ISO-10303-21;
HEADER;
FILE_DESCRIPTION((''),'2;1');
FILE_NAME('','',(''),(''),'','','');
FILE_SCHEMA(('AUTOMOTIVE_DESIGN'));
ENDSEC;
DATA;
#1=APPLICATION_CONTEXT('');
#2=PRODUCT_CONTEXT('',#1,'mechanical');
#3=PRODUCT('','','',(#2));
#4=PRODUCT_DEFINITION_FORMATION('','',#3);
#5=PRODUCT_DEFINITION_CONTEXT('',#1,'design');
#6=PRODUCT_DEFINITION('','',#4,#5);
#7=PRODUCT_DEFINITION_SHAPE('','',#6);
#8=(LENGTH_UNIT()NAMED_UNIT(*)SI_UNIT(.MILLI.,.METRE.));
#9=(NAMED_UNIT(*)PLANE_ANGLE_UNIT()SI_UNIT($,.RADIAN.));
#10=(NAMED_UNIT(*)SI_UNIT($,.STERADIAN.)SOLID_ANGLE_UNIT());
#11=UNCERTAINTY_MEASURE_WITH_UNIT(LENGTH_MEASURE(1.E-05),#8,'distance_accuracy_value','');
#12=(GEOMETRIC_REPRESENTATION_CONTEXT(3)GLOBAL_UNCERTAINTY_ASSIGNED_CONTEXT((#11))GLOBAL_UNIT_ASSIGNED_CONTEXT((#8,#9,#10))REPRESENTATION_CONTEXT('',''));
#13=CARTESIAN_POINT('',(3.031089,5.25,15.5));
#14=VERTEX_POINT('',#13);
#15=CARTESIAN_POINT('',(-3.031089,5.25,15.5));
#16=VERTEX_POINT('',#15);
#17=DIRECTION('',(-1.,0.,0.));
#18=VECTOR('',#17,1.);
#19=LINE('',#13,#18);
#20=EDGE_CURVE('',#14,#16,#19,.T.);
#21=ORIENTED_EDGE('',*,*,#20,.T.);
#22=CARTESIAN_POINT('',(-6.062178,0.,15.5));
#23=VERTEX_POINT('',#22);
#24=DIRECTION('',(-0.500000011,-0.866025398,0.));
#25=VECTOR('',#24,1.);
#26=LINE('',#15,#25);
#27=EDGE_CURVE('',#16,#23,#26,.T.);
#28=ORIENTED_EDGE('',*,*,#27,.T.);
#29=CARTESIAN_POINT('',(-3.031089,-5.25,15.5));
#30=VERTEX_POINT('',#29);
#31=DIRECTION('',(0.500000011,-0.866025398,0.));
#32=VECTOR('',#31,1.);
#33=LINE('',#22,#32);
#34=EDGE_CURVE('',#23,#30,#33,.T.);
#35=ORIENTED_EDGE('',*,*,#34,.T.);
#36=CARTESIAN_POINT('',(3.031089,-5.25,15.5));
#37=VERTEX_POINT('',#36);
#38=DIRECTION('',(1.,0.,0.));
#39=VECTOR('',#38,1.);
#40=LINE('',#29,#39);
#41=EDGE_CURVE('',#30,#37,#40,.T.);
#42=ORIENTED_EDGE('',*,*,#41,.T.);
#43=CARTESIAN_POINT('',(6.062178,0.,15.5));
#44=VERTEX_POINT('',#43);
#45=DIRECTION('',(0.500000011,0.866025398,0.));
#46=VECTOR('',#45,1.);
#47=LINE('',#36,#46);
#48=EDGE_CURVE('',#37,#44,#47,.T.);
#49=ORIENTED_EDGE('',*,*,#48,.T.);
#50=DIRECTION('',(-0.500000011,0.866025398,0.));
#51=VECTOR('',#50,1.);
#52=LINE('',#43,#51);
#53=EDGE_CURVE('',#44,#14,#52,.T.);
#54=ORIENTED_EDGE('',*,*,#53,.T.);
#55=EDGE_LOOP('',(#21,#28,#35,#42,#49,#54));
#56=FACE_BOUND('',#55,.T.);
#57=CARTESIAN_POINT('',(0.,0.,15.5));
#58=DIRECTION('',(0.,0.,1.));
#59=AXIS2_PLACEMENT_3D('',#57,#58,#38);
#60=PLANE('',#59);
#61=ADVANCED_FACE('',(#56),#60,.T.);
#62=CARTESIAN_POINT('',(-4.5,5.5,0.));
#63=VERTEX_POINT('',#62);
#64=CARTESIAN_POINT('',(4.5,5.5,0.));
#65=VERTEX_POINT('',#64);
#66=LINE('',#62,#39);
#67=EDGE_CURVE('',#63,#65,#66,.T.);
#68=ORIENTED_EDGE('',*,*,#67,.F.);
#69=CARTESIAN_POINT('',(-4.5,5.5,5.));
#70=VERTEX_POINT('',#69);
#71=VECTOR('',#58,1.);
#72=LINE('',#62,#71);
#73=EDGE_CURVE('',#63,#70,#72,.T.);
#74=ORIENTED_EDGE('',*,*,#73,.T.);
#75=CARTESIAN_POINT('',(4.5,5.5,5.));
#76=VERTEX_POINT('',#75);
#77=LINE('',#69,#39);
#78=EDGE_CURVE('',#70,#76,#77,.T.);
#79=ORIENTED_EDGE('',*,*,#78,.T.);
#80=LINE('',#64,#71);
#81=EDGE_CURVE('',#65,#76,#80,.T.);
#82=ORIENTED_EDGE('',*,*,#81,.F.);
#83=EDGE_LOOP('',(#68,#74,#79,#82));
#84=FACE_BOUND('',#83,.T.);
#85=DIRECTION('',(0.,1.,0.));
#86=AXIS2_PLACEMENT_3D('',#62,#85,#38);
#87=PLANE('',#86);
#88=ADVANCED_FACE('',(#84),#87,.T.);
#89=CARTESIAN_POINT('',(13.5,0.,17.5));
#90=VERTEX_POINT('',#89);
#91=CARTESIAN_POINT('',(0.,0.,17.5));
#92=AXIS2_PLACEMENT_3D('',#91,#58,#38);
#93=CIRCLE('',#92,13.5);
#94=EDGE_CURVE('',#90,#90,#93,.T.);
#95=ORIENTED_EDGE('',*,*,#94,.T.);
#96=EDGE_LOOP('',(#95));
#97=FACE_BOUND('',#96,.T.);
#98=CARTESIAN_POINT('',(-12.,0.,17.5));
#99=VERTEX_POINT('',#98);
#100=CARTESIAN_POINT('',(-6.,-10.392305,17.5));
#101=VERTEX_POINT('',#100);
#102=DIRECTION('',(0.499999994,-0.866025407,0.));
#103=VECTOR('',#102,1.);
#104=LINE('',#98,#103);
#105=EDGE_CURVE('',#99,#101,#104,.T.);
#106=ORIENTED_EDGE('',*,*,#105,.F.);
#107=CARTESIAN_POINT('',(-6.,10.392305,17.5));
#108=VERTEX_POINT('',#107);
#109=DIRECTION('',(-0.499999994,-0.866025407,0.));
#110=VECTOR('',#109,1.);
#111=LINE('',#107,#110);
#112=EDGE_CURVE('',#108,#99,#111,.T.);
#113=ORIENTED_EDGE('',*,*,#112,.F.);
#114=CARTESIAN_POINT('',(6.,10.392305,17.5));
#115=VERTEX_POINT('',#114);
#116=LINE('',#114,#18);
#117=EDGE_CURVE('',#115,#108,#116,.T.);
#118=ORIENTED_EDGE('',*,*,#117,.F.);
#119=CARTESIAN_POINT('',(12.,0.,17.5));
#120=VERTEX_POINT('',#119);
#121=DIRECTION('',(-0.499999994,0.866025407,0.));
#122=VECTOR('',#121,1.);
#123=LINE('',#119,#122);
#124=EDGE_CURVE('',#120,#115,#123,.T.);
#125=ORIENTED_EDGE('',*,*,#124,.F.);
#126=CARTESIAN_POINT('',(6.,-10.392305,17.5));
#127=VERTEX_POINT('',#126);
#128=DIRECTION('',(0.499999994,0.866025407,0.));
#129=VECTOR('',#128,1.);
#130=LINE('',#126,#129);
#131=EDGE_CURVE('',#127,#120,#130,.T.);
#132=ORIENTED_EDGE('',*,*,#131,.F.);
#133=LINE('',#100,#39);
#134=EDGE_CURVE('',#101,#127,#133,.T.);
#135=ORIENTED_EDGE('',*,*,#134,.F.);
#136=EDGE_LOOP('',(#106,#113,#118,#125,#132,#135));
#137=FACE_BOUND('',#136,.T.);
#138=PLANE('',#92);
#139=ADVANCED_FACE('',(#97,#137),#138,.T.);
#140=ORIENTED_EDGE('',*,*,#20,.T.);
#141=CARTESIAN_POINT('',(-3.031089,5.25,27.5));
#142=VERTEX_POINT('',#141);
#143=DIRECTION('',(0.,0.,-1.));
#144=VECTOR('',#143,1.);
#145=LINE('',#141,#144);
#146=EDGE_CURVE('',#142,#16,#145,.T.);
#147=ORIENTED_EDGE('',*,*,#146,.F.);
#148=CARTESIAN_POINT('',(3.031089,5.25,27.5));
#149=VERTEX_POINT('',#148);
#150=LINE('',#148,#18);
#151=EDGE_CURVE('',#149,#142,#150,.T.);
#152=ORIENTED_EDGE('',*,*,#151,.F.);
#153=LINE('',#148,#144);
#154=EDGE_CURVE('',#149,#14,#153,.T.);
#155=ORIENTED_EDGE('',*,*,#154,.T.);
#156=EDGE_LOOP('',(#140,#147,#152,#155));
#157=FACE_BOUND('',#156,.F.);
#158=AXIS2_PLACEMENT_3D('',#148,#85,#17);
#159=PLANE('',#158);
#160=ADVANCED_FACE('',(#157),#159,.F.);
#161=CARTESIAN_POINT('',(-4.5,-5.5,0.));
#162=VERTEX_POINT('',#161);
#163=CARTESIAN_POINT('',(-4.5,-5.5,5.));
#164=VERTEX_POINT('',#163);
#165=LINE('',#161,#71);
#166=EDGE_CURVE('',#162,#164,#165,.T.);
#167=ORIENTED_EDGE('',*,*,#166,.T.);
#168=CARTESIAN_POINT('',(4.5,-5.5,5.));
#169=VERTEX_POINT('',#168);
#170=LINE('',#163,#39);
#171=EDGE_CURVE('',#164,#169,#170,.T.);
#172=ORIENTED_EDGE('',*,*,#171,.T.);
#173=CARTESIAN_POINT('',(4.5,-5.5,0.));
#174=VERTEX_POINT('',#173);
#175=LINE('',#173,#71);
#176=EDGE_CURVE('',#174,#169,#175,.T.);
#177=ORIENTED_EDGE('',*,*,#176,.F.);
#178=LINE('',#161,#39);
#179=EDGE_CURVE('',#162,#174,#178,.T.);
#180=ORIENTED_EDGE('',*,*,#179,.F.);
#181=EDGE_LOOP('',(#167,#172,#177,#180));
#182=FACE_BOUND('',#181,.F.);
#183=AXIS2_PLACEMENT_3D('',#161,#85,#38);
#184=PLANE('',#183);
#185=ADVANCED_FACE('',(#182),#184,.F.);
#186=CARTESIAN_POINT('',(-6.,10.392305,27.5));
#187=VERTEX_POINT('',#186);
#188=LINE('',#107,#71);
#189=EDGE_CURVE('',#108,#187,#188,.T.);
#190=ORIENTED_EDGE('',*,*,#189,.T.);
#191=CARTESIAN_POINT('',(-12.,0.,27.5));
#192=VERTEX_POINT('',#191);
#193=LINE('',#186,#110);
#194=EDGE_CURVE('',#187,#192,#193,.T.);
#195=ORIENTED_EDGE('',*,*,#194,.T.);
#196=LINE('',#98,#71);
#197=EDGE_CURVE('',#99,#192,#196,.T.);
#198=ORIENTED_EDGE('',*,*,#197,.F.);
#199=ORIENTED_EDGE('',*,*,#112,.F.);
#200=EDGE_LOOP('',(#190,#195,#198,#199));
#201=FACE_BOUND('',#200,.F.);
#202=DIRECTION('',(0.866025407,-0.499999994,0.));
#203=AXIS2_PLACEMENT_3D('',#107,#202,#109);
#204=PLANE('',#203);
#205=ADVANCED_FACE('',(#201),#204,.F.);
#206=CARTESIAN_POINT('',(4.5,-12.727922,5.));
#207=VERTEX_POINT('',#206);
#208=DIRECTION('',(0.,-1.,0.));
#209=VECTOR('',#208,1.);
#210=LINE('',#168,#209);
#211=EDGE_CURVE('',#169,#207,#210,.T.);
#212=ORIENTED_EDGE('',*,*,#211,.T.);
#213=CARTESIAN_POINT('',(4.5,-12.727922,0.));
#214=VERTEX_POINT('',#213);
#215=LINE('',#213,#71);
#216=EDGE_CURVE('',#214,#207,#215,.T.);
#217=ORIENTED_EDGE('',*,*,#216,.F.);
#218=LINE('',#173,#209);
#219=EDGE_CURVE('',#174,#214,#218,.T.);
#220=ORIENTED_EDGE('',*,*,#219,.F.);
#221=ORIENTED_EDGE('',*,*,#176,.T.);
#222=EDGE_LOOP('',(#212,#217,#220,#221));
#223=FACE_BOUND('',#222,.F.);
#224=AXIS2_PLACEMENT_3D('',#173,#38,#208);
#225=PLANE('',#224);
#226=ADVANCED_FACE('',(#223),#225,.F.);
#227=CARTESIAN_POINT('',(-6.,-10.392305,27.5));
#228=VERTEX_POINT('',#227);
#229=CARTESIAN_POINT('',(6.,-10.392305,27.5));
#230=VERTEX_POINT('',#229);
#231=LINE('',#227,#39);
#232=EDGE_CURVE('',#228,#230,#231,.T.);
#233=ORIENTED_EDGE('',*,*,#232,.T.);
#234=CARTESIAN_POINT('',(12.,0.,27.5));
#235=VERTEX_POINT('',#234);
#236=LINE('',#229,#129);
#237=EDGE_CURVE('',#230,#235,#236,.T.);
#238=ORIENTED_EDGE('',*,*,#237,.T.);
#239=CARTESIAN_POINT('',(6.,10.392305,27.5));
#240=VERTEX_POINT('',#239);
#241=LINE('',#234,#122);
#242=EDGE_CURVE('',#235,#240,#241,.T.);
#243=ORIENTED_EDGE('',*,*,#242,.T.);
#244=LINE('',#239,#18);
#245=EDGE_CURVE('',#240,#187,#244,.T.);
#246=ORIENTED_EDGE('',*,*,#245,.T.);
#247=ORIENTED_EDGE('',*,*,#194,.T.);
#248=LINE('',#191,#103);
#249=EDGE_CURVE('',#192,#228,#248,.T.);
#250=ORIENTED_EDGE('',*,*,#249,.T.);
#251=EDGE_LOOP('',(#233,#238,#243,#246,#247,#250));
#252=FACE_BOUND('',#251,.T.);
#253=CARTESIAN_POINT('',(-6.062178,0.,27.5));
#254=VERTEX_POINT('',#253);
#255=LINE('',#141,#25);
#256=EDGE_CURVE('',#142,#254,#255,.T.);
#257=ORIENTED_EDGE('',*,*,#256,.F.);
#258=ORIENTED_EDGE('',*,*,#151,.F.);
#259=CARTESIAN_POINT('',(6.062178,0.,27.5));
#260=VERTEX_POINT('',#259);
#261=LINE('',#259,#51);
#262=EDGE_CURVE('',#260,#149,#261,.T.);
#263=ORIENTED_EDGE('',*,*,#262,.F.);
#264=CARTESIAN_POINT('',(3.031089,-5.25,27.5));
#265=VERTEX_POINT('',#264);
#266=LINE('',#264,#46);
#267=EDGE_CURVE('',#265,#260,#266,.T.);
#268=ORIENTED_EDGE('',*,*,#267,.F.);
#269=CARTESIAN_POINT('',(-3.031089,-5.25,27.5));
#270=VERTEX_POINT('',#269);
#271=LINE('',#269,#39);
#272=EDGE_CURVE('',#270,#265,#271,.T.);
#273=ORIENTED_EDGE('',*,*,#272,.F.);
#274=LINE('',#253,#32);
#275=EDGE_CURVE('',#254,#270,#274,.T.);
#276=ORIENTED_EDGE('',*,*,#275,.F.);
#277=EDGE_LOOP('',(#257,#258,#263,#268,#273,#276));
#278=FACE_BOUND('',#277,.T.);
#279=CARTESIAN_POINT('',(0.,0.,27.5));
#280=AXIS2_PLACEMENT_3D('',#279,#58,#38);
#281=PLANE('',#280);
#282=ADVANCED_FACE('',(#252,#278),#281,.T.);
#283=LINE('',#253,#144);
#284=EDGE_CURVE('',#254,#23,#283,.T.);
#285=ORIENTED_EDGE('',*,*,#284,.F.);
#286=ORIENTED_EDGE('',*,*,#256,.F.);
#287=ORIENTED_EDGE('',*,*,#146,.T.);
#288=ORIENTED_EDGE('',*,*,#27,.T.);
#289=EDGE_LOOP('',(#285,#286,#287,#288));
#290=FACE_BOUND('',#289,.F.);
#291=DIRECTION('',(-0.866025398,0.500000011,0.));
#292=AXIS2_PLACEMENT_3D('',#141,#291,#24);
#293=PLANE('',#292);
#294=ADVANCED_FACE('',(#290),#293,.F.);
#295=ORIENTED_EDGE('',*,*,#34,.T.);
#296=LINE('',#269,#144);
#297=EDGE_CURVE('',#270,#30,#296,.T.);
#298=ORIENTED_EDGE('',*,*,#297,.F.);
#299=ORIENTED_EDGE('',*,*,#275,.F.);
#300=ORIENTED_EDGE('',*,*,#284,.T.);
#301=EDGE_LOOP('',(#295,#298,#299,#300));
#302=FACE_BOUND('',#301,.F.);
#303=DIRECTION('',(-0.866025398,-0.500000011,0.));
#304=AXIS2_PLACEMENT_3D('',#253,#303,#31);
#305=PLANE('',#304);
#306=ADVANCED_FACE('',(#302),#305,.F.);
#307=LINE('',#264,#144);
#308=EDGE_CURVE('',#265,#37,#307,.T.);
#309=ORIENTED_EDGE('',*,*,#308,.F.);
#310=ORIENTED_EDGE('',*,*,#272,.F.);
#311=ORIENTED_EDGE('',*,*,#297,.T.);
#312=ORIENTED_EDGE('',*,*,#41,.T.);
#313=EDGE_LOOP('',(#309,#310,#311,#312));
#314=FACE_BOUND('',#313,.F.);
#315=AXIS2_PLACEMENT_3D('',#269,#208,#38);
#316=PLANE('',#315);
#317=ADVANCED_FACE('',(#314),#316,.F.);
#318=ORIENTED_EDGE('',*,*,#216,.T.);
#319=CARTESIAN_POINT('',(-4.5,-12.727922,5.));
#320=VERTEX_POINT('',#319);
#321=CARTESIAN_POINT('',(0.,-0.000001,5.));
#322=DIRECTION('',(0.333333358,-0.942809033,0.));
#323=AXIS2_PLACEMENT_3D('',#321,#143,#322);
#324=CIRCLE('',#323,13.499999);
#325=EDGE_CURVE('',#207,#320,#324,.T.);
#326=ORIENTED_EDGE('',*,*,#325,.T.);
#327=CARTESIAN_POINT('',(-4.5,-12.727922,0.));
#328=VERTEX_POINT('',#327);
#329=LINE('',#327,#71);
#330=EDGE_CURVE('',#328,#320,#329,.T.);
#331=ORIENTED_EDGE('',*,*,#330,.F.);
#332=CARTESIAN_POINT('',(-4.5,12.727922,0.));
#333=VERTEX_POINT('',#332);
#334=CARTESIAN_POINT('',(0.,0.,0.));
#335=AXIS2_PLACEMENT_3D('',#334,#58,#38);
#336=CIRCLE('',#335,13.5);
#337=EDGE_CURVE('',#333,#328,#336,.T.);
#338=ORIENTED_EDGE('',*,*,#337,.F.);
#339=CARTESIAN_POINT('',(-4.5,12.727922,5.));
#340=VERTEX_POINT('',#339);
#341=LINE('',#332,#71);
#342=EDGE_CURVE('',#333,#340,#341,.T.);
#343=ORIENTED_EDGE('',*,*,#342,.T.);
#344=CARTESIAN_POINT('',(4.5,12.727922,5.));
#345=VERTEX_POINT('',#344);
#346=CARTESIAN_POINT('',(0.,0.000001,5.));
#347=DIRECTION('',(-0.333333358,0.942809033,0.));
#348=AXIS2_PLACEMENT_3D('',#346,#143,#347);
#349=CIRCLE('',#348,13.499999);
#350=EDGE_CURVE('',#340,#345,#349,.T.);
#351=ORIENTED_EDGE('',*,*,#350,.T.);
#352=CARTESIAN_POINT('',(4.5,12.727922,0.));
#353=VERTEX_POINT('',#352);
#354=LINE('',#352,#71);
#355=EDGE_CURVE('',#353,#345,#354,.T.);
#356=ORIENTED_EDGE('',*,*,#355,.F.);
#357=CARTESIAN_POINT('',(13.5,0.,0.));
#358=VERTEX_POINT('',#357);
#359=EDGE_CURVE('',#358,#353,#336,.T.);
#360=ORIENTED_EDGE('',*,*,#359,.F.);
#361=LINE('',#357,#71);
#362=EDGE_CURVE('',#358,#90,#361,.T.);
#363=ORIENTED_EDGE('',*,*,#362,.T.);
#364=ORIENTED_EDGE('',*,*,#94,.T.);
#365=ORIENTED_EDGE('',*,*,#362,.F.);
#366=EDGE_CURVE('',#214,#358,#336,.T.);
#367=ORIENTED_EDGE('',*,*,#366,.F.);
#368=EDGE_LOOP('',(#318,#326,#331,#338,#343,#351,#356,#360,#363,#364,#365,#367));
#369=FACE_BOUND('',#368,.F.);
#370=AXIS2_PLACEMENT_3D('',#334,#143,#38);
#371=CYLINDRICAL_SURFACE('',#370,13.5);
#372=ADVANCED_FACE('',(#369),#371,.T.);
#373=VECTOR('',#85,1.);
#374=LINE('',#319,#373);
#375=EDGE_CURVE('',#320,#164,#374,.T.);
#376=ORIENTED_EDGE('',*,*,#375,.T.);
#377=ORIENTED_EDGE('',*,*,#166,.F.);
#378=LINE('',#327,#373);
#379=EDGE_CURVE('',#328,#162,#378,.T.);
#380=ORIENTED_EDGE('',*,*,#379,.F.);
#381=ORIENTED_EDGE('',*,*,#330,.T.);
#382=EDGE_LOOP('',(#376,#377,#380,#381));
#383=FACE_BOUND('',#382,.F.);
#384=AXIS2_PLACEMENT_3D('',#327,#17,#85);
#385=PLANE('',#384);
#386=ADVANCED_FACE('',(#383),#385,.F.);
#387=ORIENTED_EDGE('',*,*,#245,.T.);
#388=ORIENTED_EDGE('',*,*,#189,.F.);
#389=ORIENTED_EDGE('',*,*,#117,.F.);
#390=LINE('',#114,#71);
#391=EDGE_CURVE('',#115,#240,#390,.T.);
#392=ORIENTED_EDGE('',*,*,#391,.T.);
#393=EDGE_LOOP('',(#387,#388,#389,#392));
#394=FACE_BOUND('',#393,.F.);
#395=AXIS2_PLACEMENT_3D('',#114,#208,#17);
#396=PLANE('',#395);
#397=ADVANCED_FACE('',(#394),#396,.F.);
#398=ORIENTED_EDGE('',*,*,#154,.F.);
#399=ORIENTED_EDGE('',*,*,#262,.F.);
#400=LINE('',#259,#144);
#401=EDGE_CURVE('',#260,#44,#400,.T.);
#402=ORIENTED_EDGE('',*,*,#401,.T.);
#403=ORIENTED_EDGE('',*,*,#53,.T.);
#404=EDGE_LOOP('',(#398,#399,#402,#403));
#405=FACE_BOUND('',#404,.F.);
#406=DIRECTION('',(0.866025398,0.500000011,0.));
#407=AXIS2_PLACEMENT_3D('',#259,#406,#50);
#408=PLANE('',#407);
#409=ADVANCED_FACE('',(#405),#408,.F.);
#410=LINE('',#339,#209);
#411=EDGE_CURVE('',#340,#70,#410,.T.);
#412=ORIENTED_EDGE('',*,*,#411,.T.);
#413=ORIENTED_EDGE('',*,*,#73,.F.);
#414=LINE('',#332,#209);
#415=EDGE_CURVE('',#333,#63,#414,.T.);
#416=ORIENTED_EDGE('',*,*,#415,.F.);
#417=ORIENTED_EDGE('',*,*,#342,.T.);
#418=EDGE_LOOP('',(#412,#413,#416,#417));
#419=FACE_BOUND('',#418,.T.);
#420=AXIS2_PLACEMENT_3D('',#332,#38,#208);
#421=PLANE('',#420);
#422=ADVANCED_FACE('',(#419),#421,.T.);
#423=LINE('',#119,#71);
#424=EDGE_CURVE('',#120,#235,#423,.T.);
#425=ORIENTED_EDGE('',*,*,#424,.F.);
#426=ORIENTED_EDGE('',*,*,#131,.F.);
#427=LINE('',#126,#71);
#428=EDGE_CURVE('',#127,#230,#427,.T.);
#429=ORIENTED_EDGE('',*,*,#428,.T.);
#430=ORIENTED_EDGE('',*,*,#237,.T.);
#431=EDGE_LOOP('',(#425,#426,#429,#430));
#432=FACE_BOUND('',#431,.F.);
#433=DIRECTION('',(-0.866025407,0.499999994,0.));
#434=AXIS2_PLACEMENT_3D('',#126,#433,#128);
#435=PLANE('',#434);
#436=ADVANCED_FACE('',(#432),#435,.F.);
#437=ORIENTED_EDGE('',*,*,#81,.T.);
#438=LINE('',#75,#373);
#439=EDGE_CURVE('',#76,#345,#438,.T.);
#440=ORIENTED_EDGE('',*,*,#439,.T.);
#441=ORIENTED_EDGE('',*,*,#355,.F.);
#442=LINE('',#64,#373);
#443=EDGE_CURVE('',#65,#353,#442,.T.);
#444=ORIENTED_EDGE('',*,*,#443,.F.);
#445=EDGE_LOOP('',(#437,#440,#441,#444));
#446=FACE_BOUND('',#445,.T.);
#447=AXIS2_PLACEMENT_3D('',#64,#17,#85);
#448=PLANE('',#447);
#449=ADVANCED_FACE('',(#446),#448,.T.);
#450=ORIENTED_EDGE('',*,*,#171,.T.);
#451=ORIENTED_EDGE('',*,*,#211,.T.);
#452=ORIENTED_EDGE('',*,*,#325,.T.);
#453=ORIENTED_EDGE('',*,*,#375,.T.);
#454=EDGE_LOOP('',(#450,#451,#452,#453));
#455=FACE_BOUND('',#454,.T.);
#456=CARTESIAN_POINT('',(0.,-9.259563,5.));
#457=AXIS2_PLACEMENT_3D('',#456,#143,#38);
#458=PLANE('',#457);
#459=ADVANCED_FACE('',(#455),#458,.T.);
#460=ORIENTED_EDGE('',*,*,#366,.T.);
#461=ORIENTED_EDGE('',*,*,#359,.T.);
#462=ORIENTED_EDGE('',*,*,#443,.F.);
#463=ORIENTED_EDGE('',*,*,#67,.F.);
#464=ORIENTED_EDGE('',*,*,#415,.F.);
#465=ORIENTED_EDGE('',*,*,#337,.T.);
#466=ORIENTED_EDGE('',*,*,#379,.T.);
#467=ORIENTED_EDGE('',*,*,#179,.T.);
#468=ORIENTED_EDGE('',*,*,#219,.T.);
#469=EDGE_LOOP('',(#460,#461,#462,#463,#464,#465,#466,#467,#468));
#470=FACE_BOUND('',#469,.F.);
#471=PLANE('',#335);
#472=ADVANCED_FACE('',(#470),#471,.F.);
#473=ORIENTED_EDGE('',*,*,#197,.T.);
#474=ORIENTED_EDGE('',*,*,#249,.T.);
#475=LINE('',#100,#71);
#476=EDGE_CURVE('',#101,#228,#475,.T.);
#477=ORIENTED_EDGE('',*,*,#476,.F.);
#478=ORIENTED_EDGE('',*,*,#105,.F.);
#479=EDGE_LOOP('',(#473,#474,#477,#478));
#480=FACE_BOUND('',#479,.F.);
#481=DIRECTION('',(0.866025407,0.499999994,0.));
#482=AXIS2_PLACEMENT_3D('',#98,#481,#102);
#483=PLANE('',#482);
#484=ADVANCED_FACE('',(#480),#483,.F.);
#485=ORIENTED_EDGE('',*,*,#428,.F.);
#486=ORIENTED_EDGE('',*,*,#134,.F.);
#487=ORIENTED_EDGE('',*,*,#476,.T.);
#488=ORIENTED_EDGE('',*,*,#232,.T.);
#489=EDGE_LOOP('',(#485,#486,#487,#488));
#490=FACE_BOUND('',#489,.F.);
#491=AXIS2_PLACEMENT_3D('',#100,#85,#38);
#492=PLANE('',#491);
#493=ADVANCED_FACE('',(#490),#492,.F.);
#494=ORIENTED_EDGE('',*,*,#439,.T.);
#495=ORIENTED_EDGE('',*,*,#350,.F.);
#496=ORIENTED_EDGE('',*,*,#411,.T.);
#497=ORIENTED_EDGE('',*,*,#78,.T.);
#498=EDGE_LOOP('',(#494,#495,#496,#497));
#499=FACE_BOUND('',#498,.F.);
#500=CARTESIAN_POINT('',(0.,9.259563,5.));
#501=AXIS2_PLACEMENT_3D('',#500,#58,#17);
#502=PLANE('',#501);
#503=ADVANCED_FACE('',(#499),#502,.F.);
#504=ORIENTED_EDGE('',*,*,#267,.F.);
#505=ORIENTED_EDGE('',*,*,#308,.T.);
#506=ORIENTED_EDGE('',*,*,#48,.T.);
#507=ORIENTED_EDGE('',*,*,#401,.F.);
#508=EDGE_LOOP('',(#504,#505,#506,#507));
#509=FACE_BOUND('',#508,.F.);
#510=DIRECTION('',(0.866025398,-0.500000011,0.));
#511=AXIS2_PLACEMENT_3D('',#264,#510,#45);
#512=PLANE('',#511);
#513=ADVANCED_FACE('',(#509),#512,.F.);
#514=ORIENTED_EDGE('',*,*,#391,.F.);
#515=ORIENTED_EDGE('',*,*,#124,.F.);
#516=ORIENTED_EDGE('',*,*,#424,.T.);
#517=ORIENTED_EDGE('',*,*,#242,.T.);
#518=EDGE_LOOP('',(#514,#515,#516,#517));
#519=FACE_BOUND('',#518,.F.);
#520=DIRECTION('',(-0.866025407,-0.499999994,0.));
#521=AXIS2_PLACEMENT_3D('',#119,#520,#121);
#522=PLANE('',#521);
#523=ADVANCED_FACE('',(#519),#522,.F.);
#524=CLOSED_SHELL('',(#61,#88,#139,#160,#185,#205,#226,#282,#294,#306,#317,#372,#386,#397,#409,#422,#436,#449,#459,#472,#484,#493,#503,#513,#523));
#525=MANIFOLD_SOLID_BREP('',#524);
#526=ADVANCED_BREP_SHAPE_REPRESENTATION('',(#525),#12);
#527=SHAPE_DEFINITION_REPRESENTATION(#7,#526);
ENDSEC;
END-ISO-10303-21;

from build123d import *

# Parameters (mm, degrees)
SKETCH_R        = 13.5
PAD_DEPTH       = 17.5
PAD001_DEPTH    = 10
POCKET_DEPTH    = 12
POCKET001_DEPTH = 5


with BuildPart() as part:
    # Sketch → Pad (new body)
    with BuildSketch(Plane.XY):
        Circle(SKETCH_R)
    extrude(amount=PAD_DEPTH)

    # Sketch001 (on Face3 of Pad) → Pad001 (join)
    with BuildSketch(Plane.XY.offset(17.5)):
        Polygon((12, 0), (6, 10.392305), (-6, 10.392305), (-12, 0), (-6, -10.392305), (6, -10.392305), align=None)
    extrude(amount=PAD001_DEPTH)

    # Sketch002 (on Face10 of Pad001) → Pocket (cut)
    with BuildSketch(Plane.XY.offset(27.5)):
        Polygon((6.062178, 0), (3.031089, 5.25), (-3.031089, 5.25), (-6.062178, 0), (-3.031089, -5.25), (3.031089, -5.25), align=None)
    extrude(amount=-POCKET_DEPTH, mode=Mode.SUBTRACT)

    # Sketch003 (on Face2 of Pocket) → Pocket001 (cut)
    with BuildSketch(Plane(origin=(0, 0, 0), x_dir=(1, 0, 0), z_dir=(0, 0, -1))):
        with BuildLine():
            Line((-4.5, 12.727922), (-4.5, 5.5))
            Line((-4.5, 5.5), (4.5, 5.5))
            Line((4.5, 5.5), (4.5, 12.727922))
            ThreePointArc((4.5, 12.727922), (0, 13.5), (-4.5, 12.727922))
        make_face()
        with BuildLine():
            Line((-4.5, -5.5), (4.5, -5.5))
            Line((4.5, -5.5), (4.5, -12.727922))
            ThreePointArc((-4.5, -12.727922), (0, -13.5), (4.5, -12.727922))
            Line((-4.5, -12.727922), (-4.5, -5.5))
        make_face()
    extrude(amount=-POCKET001_DEPTH, mode=Mode.SUBTRACT)


solid = part.part
